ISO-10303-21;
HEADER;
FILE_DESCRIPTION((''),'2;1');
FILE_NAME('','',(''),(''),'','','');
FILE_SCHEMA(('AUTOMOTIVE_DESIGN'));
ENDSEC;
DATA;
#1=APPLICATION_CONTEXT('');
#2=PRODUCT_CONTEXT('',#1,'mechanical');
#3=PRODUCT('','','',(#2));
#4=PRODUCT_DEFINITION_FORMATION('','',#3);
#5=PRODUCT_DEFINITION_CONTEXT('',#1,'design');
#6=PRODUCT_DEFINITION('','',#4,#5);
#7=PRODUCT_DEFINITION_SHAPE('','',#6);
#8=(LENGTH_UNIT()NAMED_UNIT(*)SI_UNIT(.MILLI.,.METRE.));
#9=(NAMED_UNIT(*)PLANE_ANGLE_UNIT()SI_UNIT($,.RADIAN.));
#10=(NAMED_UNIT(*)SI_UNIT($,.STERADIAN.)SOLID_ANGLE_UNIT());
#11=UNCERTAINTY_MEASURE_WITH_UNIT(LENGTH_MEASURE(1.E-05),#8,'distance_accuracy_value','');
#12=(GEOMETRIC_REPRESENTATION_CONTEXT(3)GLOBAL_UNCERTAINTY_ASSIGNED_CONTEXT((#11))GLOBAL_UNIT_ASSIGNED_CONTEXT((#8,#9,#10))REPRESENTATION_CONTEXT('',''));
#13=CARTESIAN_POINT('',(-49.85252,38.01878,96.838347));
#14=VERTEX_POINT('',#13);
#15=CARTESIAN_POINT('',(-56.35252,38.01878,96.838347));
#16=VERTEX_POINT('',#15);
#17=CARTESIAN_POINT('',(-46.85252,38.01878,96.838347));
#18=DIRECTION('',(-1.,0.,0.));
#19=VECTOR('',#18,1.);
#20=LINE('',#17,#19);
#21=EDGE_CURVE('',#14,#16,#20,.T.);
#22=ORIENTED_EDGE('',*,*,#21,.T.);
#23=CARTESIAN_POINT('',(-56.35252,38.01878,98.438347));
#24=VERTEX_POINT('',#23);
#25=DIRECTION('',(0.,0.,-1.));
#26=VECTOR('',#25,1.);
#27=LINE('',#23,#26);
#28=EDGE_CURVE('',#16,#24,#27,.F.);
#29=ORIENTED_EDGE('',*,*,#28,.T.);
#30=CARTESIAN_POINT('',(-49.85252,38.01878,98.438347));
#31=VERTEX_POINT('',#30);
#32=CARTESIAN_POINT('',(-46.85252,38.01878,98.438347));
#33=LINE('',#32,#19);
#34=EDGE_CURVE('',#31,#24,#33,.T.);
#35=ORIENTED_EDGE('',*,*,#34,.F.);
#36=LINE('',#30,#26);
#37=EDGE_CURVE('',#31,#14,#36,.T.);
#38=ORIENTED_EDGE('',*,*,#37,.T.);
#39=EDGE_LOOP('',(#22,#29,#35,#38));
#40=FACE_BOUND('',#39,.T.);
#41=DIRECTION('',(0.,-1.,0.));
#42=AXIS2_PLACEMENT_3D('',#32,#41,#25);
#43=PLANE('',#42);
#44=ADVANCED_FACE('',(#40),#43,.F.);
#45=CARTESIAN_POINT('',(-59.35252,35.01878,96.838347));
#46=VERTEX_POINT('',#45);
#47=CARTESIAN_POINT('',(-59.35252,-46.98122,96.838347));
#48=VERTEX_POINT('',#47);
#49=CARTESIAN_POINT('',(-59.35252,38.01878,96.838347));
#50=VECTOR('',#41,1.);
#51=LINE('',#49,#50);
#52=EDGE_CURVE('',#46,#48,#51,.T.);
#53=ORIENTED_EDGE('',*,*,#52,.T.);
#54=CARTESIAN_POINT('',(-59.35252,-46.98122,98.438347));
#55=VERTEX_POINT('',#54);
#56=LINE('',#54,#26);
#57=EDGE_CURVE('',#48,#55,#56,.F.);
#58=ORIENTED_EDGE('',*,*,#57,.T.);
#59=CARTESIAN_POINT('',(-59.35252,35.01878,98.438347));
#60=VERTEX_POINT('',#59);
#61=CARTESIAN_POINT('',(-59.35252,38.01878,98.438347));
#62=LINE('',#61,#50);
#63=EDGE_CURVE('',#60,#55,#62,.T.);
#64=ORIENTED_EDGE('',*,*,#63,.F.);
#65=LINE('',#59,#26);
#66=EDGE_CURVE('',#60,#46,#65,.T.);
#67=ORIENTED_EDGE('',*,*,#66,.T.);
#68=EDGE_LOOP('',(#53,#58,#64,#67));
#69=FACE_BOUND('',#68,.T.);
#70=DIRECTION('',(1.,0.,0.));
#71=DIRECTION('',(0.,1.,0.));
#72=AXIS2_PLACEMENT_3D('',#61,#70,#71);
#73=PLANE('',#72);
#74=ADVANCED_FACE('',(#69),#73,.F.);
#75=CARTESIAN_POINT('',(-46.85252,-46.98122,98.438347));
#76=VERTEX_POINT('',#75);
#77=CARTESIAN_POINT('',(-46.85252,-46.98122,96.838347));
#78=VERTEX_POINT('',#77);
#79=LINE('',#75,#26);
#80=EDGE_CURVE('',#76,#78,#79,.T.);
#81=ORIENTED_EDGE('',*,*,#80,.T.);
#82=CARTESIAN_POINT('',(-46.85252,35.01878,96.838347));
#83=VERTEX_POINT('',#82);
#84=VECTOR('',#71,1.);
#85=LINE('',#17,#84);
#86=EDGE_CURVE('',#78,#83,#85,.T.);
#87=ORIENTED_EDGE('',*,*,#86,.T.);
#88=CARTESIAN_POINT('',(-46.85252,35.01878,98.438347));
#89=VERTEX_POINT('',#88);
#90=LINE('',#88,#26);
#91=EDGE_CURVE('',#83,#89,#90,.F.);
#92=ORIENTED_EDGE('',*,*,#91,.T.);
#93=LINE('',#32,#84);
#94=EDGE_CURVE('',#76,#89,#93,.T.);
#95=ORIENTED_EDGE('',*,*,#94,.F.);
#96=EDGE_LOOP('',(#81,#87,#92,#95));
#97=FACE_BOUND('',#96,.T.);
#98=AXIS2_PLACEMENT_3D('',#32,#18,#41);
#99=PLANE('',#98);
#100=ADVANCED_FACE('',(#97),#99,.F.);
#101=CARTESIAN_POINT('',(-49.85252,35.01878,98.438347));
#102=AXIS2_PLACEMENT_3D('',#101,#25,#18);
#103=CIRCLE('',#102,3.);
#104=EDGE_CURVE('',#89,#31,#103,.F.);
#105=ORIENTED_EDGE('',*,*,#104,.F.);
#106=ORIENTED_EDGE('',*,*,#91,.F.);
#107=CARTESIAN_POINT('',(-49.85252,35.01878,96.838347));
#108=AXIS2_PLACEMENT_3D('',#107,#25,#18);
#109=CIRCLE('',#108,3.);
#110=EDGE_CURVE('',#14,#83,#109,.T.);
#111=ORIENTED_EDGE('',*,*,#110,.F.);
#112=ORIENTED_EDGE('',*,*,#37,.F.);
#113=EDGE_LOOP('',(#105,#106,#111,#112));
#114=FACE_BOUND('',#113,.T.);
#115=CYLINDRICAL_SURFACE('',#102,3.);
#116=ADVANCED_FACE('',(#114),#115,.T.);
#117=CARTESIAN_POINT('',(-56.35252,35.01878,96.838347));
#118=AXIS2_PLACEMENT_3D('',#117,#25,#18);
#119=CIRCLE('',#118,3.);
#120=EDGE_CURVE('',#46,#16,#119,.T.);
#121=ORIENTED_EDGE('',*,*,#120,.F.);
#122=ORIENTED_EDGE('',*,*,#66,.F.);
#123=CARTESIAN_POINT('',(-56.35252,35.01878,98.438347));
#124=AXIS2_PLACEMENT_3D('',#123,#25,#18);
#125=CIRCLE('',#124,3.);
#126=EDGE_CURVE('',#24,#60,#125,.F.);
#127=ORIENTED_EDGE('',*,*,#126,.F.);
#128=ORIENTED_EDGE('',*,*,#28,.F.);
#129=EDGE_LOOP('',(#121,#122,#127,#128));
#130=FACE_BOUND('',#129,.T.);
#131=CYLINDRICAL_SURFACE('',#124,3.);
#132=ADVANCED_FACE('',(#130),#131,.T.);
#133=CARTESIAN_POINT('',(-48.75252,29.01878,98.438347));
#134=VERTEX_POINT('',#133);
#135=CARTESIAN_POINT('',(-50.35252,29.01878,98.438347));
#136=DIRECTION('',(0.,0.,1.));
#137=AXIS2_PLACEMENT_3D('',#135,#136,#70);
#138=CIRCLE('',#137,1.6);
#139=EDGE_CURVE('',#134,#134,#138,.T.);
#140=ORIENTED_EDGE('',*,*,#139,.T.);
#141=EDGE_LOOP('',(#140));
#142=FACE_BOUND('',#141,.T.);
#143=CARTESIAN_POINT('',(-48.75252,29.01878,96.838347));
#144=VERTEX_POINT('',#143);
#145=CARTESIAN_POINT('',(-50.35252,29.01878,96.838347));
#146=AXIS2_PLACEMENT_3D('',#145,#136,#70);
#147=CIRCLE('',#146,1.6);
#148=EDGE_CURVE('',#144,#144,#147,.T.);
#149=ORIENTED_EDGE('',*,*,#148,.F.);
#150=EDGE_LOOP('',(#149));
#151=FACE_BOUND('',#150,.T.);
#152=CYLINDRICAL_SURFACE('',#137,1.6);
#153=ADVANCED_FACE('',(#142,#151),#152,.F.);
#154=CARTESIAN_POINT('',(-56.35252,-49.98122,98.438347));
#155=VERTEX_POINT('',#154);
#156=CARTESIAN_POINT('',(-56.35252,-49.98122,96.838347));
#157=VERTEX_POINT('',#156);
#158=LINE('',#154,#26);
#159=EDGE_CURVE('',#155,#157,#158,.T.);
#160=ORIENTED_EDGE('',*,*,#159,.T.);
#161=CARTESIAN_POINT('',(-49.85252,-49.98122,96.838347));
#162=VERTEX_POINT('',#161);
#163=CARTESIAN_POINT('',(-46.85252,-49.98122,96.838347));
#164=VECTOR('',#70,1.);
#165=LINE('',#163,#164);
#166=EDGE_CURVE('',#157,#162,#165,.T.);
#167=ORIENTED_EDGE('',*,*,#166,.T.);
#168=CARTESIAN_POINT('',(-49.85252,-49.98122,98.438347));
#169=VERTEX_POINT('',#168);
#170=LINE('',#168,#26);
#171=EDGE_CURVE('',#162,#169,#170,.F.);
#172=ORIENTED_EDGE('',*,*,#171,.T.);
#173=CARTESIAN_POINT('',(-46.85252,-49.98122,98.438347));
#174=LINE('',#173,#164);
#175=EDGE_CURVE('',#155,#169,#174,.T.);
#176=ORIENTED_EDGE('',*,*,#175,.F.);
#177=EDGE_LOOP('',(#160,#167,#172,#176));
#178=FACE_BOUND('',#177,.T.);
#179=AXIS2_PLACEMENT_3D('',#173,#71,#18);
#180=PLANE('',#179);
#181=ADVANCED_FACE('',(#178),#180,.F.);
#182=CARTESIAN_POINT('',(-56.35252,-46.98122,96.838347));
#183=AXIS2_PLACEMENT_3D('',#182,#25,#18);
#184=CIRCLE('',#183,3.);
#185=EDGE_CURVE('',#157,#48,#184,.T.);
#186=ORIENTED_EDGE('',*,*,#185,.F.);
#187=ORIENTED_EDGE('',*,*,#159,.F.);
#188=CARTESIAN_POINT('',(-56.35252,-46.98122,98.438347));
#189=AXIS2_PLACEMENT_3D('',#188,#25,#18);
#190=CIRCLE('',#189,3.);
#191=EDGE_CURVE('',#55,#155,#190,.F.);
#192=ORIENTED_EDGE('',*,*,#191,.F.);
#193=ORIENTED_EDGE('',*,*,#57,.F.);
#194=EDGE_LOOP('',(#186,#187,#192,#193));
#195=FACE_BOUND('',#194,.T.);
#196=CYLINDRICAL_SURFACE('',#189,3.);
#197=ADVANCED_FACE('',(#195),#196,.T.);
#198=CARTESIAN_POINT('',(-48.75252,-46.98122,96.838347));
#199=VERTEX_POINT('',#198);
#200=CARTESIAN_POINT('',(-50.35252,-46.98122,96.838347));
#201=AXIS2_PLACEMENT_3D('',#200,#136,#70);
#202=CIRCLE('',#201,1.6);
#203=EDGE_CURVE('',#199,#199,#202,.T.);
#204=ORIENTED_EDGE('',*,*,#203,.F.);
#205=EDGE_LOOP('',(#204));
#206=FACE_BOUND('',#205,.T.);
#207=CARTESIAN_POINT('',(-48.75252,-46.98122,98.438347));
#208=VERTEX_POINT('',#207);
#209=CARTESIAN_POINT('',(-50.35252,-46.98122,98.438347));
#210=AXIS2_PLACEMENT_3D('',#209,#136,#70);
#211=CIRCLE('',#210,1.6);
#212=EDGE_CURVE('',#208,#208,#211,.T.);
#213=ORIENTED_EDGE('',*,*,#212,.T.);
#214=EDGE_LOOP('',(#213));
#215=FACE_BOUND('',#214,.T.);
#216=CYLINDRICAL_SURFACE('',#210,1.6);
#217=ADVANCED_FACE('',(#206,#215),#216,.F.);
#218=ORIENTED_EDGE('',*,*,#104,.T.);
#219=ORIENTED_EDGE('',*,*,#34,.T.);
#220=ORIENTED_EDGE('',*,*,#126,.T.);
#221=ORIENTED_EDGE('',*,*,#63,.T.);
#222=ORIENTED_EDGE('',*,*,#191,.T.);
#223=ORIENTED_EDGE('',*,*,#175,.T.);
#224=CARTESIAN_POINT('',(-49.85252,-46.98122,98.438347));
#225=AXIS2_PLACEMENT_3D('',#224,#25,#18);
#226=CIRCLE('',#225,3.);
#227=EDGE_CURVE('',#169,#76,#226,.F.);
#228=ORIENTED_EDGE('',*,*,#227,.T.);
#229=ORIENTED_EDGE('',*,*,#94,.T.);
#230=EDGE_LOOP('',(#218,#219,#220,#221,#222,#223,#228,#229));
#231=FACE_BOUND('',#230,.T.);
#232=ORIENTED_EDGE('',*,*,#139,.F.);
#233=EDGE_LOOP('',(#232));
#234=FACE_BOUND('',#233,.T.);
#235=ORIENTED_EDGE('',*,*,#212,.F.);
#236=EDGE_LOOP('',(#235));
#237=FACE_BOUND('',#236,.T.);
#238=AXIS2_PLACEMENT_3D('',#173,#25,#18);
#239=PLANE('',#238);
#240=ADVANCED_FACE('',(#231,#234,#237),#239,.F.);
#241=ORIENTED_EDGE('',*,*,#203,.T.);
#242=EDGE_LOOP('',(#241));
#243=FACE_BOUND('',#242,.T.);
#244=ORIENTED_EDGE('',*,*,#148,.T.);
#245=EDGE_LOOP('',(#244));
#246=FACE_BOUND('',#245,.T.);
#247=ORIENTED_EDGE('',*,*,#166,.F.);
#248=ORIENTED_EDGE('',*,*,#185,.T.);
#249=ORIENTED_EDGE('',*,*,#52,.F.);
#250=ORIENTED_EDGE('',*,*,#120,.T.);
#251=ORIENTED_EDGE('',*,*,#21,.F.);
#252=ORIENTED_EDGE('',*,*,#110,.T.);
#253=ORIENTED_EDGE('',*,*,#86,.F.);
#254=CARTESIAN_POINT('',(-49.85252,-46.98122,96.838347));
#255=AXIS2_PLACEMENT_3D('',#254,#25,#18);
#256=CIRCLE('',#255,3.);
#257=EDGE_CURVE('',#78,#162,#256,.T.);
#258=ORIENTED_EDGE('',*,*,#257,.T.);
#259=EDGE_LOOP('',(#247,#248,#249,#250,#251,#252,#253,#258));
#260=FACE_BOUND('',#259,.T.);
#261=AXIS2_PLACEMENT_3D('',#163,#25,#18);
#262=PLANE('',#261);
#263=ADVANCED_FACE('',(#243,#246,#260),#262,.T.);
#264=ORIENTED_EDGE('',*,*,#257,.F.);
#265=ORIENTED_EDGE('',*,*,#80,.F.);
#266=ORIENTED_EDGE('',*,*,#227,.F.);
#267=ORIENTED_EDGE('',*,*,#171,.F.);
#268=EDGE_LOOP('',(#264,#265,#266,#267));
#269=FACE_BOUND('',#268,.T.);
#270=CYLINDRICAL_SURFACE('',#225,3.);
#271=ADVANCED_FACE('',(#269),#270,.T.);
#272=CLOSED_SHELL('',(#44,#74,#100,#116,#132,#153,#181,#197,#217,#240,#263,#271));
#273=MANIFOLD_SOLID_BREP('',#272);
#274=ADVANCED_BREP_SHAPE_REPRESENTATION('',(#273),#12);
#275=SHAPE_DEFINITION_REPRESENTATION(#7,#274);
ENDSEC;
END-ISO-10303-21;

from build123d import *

# Parameters (mm, degrees)
SKETCH2_W                      = 12.5
SKETCH2_H                      = 88
BOSS_EXTRUDE1_DEPTH            = 1.6
F_3_2_3_2_DIAMETER_HOLE1_D     = 3.2
F_3_2_3_2_DIAMETER_HOLE1_DEPTH = 1.6
F_3_2_3_2_DIAMETER_HOLE1_TIP   = 0.96137699
FILLET1_R                      = 3


with BuildPart() as part:
    # Sketch2 → Boss-Extrude1 (new body)
    with BuildSketch(Plane.XY.offset(96.838346843)):
        with Locations((-53.102520427, -5.981220417)):
            Rectangle(SKETCH2_W, SKETCH2_H)
    extrude(amount=BOSS_EXTRUDE1_DEPTH)

    # Ø3.2 (3.2) Diameter Hole1
    with Locations(Plane.XY.offset(98.438346843)):
        with Locations((-50.352520427, 29.018779583), (-50.352520427, -46.981220417)):
            Hole(F_3_2_3_2_DIAMETER_HOLE1_D / 2, depth=F_3_2_3_2_DIAMETER_HOLE1_DEPTH)
            with Locations((0, 0, -(F_3_2_3_2_DIAMETER_HOLE1_DEPTH + F_3_2_3_2_DIAMETER_HOLE1_TIP / 2))):  # 118° drill point
                Cone(0, F_3_2_3_2_DIAMETER_HOLE1_D / 2, F_3_2_3_2_DIAMETER_HOLE1_TIP, mode=Mode.SUBTRACT)

    # Fillet1
    fillet1_edges = [part.edges().sort_by_distance(p)[0] for p in [
        (-46.852520427, -49.981220417, 97.638346843),
        (-59.352520427, -49.981220417, 97.638346843),
        (-59.352520427, 38.018779583, 97.638346843),
        (-46.852520427, 38.018779583, 97.638346843),
    ]]
    fillet(fillet1_edges, radius=FILLET1_R)


solid = part.part
